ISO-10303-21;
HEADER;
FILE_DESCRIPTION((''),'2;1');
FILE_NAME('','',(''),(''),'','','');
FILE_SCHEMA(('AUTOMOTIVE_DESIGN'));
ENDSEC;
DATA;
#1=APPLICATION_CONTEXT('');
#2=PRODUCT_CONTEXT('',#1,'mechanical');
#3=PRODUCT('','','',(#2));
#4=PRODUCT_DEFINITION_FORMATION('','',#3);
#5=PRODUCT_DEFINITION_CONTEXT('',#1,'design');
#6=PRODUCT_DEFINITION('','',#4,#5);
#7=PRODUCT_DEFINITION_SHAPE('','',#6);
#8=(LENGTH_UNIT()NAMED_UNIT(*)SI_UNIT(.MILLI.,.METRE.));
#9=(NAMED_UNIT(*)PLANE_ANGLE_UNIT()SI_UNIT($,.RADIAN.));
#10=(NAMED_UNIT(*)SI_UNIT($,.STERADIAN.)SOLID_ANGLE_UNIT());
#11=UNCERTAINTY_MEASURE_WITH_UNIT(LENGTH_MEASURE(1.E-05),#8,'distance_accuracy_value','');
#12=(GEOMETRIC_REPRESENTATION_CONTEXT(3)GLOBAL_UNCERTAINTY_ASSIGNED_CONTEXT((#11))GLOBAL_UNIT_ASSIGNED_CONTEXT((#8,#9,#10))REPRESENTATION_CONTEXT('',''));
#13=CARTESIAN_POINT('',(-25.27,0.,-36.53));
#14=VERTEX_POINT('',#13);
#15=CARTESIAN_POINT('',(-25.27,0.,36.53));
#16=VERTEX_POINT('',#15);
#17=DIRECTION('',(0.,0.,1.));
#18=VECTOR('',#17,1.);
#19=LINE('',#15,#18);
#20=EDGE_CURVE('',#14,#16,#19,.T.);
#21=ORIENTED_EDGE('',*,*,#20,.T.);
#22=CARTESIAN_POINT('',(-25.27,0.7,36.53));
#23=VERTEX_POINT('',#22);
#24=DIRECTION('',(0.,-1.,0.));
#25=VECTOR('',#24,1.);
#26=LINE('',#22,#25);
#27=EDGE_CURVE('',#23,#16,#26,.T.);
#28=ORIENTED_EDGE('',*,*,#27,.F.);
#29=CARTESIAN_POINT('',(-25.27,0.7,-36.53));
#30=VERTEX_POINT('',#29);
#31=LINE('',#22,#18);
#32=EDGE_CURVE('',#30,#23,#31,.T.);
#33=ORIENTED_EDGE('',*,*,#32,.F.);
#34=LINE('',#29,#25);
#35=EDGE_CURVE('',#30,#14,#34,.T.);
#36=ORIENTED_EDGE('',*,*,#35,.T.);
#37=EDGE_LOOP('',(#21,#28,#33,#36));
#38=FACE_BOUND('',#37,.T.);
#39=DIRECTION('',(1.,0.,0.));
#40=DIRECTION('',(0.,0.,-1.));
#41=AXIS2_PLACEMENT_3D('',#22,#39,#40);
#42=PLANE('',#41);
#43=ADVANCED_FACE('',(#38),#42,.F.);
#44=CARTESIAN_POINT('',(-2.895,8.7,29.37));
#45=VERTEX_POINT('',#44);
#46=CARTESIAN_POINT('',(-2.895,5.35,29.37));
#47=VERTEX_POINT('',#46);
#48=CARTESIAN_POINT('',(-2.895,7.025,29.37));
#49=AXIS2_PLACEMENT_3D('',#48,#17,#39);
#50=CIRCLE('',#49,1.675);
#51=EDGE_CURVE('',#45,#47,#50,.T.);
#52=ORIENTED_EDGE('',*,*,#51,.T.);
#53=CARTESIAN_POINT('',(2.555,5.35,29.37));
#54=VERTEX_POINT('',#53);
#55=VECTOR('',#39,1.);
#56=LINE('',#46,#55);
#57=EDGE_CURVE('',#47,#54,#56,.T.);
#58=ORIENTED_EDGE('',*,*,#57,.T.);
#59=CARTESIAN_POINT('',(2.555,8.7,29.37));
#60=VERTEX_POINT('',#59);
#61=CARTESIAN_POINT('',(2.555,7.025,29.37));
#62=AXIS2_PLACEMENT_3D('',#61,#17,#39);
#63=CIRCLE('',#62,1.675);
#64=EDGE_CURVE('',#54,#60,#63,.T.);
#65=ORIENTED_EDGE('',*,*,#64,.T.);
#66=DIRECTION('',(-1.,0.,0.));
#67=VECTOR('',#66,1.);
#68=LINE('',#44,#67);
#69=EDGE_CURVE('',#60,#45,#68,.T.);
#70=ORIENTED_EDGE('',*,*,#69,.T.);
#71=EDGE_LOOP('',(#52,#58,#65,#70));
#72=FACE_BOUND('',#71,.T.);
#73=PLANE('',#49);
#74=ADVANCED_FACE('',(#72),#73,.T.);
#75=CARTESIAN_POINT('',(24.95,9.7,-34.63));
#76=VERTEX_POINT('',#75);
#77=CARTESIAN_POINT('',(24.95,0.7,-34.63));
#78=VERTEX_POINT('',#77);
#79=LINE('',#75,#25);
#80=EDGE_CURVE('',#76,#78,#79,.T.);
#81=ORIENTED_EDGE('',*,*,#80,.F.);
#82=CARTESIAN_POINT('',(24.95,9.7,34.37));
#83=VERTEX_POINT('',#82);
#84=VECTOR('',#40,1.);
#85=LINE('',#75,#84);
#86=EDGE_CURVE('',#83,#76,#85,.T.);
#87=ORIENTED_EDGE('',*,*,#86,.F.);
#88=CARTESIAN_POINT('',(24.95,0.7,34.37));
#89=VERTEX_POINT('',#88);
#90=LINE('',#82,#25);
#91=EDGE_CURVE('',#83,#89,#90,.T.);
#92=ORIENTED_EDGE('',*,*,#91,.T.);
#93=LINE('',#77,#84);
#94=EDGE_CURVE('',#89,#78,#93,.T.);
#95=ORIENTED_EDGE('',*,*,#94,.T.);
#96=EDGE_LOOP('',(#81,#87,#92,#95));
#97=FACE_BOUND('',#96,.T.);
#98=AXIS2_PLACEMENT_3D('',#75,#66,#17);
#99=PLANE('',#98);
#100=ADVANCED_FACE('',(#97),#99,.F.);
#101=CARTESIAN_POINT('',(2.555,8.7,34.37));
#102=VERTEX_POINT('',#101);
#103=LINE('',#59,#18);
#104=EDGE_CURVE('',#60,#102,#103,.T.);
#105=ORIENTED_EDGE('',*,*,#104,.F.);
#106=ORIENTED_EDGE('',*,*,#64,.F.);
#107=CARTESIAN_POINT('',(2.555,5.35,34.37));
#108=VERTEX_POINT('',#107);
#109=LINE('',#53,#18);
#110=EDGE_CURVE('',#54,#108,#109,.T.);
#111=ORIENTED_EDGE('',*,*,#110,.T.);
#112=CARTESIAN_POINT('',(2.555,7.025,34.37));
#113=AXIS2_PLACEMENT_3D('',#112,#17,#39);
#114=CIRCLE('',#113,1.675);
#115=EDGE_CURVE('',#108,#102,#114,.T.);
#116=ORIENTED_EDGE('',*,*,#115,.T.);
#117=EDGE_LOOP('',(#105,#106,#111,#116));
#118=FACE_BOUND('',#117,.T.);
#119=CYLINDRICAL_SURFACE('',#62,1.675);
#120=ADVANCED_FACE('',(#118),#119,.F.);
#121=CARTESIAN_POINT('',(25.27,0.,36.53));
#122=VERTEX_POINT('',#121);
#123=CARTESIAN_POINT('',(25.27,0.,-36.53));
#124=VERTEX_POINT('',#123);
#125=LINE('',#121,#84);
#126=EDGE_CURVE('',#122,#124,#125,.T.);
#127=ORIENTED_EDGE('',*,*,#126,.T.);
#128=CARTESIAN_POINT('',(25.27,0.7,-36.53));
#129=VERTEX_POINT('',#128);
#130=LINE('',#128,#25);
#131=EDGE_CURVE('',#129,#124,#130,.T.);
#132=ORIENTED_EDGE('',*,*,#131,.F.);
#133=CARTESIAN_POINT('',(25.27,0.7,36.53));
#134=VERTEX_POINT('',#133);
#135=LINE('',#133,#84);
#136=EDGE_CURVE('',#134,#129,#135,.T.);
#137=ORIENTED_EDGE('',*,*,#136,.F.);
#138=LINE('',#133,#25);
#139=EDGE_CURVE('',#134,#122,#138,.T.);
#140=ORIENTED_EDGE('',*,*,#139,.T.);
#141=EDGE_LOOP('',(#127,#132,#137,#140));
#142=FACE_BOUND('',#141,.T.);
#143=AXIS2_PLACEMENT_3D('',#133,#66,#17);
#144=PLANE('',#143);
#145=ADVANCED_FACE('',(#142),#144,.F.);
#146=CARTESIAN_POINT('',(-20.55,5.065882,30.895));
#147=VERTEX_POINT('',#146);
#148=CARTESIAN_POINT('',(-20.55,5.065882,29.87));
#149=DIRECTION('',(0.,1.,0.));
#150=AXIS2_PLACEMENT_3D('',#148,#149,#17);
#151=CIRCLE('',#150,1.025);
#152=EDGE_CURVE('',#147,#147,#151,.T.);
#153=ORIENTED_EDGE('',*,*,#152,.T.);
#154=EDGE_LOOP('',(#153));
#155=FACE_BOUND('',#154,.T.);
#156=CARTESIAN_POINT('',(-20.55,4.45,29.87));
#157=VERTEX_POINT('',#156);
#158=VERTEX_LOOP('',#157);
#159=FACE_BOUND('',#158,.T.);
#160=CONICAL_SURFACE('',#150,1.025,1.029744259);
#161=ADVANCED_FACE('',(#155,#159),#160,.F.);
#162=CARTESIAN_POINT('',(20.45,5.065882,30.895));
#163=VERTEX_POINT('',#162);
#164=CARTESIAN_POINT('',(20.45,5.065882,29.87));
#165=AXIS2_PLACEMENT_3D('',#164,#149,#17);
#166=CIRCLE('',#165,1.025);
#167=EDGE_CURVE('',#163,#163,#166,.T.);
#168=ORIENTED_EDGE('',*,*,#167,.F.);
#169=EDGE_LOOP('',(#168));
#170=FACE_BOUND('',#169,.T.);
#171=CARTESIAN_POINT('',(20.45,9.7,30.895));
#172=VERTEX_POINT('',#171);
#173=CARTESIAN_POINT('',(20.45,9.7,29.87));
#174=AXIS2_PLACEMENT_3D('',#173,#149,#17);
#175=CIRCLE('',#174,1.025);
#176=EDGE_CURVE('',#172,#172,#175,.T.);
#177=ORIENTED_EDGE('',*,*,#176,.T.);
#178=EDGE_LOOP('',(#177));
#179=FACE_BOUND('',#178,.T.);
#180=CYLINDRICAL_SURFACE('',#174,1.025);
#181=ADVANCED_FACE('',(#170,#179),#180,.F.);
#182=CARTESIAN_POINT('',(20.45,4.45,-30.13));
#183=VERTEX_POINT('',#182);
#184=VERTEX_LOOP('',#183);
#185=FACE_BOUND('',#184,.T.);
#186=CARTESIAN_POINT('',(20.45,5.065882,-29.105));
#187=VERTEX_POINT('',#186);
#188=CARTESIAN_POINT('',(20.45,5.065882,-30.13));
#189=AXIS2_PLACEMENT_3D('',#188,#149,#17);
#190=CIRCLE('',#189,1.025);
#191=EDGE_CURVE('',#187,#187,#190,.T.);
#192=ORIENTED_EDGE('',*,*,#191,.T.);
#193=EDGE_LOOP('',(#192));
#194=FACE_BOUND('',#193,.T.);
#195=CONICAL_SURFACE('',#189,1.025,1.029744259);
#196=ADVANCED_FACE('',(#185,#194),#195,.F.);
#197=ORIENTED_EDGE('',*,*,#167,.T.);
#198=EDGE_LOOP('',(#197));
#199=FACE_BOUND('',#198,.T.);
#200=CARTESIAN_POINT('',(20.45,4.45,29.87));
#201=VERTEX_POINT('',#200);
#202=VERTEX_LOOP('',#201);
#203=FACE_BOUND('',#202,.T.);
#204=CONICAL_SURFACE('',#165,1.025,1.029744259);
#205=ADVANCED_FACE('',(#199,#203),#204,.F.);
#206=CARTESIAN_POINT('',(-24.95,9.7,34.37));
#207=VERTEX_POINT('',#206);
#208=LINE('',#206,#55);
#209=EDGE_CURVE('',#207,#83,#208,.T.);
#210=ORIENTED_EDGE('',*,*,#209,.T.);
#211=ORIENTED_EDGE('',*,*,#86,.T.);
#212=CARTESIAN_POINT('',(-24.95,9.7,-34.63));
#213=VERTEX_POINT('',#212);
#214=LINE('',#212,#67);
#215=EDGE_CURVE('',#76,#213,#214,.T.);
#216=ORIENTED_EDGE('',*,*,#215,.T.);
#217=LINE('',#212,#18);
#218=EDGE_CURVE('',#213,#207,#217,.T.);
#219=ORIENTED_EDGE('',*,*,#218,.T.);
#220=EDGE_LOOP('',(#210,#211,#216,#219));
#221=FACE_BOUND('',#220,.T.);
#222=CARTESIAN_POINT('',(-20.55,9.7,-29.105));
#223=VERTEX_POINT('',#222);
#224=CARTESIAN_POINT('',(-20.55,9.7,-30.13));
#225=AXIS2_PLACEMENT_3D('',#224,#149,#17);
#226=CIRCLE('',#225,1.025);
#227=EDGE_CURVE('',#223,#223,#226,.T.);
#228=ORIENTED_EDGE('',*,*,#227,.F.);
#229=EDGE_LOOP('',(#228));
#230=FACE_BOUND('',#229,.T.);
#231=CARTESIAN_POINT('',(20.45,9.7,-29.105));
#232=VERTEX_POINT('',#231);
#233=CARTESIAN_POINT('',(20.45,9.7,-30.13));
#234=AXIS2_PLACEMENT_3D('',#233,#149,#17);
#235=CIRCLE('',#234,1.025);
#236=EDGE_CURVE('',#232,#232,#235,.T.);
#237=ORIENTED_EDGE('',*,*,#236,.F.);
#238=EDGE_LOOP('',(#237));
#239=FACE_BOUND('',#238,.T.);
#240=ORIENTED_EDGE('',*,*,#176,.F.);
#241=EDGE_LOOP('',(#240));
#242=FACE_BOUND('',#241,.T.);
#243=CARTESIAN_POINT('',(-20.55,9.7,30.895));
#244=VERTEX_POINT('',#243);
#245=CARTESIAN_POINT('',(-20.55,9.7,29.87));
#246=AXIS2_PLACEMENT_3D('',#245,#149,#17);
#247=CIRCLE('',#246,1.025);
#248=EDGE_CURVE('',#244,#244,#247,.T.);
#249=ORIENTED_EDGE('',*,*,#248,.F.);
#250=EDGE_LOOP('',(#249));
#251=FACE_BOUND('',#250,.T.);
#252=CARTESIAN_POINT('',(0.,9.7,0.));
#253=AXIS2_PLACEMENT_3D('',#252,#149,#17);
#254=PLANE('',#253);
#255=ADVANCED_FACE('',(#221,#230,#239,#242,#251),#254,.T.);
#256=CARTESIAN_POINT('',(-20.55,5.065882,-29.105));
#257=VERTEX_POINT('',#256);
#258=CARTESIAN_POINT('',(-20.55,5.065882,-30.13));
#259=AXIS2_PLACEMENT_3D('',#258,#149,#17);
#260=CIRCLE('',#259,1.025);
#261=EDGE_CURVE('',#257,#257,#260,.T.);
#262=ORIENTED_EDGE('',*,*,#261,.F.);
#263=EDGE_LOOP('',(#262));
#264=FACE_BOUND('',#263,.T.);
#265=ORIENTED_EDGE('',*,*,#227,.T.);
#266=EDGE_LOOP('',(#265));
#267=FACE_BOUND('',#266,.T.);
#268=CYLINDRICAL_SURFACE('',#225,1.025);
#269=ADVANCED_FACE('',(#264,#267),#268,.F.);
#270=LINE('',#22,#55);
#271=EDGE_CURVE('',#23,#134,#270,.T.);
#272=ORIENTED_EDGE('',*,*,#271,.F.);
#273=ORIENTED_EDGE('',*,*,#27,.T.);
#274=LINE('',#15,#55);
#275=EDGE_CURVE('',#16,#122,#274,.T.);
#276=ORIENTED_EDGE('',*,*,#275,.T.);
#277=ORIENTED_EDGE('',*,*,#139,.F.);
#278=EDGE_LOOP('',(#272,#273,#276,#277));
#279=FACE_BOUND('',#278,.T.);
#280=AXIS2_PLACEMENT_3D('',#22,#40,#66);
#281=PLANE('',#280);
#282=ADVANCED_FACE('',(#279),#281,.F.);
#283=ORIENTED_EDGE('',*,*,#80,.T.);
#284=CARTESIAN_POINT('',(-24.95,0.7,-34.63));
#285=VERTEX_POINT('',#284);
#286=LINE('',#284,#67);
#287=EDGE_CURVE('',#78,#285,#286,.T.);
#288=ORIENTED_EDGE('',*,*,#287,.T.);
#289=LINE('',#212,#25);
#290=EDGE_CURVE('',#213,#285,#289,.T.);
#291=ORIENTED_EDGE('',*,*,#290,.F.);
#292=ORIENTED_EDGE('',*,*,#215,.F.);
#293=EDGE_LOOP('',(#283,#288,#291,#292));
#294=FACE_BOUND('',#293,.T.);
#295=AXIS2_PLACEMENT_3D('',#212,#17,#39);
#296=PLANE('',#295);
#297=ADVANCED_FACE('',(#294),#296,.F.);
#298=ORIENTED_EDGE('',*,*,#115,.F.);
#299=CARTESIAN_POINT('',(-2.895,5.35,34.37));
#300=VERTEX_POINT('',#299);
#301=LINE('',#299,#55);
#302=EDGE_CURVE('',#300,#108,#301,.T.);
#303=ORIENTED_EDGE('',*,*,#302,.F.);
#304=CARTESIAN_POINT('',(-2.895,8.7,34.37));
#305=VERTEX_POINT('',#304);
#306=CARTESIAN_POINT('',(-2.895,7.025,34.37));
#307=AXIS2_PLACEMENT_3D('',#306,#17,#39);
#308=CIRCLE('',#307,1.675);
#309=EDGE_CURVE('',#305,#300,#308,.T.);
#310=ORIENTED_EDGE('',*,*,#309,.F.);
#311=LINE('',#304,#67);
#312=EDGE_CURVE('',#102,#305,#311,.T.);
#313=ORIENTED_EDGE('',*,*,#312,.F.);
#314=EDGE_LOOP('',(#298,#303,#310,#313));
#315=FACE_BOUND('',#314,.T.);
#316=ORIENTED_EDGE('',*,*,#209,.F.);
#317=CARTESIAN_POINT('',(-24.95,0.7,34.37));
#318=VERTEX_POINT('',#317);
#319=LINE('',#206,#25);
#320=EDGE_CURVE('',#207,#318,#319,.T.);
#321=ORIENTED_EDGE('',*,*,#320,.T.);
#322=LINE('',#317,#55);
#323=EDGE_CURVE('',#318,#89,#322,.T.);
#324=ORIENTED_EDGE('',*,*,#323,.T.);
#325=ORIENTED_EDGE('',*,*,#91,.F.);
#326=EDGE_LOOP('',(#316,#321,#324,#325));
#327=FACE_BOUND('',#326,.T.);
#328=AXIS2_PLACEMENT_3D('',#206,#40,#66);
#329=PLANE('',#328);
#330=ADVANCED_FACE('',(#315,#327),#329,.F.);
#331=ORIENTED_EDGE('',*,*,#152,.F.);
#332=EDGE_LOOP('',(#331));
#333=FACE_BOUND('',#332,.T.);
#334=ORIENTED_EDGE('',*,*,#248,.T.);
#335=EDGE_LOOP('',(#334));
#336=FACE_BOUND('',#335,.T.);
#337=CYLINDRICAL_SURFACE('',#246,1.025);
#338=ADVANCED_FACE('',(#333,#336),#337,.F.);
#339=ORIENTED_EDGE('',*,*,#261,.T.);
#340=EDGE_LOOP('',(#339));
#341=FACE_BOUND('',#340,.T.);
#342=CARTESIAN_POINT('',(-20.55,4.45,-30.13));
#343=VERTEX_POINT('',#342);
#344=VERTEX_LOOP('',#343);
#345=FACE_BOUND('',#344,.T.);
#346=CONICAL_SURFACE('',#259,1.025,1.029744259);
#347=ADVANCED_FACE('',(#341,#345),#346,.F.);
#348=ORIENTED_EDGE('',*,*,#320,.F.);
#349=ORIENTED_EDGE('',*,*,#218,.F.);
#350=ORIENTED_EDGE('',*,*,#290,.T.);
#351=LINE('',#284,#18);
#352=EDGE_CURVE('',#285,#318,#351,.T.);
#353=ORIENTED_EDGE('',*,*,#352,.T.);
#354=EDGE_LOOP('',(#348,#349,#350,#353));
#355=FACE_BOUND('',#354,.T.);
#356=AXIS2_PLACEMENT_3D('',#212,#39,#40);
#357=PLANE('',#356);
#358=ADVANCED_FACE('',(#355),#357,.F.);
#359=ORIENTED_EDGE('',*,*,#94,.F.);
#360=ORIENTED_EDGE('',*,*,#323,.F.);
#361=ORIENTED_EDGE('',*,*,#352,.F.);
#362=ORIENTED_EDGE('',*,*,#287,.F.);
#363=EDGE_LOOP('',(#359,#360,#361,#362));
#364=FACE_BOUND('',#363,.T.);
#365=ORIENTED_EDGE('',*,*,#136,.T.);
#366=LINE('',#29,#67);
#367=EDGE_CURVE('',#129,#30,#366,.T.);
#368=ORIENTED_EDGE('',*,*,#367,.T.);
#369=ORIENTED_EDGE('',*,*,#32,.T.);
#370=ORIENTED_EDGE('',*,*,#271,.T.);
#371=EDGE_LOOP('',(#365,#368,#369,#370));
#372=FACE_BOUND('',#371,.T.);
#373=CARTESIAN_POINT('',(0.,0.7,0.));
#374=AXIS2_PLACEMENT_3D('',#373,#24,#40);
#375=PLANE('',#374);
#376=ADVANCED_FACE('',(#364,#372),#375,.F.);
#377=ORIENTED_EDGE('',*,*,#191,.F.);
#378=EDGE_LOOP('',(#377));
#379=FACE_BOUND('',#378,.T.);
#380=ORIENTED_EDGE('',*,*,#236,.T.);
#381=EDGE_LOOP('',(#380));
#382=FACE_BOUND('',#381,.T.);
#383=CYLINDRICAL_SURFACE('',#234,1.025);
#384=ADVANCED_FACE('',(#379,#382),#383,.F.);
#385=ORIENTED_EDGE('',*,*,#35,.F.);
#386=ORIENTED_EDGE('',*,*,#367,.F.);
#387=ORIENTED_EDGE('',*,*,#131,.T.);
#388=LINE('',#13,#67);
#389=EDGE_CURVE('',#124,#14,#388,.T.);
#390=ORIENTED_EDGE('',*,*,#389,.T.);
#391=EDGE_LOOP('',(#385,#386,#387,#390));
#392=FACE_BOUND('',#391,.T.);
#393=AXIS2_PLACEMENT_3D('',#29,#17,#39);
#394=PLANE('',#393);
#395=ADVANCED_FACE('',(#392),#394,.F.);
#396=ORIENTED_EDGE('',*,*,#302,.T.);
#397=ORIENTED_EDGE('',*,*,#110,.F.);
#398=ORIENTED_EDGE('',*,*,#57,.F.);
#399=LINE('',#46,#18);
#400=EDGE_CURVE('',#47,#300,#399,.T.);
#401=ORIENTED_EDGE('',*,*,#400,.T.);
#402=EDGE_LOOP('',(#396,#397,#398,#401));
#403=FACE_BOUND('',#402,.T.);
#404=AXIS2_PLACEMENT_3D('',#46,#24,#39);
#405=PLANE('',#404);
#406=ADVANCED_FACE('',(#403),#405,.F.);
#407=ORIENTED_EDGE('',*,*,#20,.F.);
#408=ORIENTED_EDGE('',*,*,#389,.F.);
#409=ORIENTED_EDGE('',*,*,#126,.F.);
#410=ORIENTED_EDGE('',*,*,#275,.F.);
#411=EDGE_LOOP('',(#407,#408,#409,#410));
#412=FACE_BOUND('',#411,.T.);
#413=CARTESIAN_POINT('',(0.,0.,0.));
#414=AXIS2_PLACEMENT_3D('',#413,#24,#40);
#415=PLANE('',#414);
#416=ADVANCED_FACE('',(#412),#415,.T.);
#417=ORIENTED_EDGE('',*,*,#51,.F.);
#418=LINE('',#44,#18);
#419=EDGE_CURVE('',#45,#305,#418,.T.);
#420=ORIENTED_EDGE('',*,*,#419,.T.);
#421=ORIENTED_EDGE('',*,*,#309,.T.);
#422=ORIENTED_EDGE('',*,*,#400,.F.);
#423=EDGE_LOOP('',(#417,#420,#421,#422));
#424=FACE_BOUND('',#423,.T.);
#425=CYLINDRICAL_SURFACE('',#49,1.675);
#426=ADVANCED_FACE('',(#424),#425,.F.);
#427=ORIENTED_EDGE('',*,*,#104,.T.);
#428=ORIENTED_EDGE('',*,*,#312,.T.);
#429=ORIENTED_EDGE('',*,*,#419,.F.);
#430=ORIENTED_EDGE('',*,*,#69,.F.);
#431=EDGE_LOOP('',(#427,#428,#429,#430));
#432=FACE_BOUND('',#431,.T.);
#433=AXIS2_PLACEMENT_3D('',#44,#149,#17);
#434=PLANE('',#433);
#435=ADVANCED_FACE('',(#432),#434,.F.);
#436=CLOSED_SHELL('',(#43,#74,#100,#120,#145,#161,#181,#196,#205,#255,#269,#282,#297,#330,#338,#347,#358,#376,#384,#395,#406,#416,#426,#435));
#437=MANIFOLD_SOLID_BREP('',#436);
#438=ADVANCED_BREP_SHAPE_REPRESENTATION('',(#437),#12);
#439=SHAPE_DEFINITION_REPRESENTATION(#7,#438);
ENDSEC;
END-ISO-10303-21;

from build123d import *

# Parameters (mm, degrees)
SKETCH_1_W               = 50.54
SKETCH_1_H               = 73.06
EXTRUDE_1_DEPTH          = 0.7
SKETCH_2_W               = 49.9
SKETCH_2_H               = 69
EXTRUDE_2_DEPTH          = 9
CUT_EXTRUDE_1_DEPTH      = 5
HOLE_WIZARD_M2_5_1_D     = 2.05
HOLE_WIZARD_M2_5_1_DEPTH = 4.634117865
HOLE_WIZARD_M2_5_1_TIP   = 0.615882135


with BuildPart() as part:
    # 草图1 → 凸台-拉伸1 (new body)
    with BuildSketch(Plane(origin=(0, 0, 0), x_dir=(1, 0, 0), z_dir=(0, 1, 0))):
        Rectangle(SKETCH_1_W, SKETCH_1_H)
    extrude(amount=EXTRUDE_1_DEPTH)

    # 草图2 → 凸台-拉伸2 (add)
    with BuildSketch(Plane(origin=(0, 0.7, 0), x_dir=(1, 0, 0), z_dir=(0, 1, 0))):
        with Locations((0, 0.13)):
            Rectangle(SKETCH_2_W, SKETCH_2_H)
    extrude(amount=EXTRUDE_2_DEPTH)

    # 草图6 → 切除-拉伸1 (cut)
    with BuildSketch(Plane.XY.offset(34.37)):
        with BuildLine():
            Line((-2.895, 8.7), (2.555, 8.7))
            ThreePointArc((2.555, 8.7), (4.23, 7.025), (2.555, 5.35))
            Line((2.555, 5.35), (-2.895, 5.35))
            ThreePointArc((-2.895, 5.35), (-4.57, 7.025), (-2.895, 8.7))
        make_face()
    extrude(amount=-CUT_EXTRUDE_1_DEPTH, mode=Mode.SUBTRACT)

    # M2.5 螺纹孔1
    with Locations(Plane(origin=(0, 9.7, 0), x_dir=(1, 0, 0), z_dir=(0, 1, 0))):
        with Locations((-20.55, 30.13), (20.45, 30.13), (20.45, -29.87), (-20.55, -29.87)):
            Hole(HOLE_WIZARD_M2_5_1_D / 2, depth=HOLE_WIZARD_M2_5_1_DEPTH)
            with Locations((0, 0, -(HOLE_WIZARD_M2_5_1_DEPTH + HOLE_WIZARD_M2_5_1_TIP / 2))):  # 118° drill point
                Cone(0, HOLE_WIZARD_M2_5_1_D / 2, HOLE_WIZARD_M2_5_1_TIP, mode=Mode.SUBTRACT)


solid = part.part
